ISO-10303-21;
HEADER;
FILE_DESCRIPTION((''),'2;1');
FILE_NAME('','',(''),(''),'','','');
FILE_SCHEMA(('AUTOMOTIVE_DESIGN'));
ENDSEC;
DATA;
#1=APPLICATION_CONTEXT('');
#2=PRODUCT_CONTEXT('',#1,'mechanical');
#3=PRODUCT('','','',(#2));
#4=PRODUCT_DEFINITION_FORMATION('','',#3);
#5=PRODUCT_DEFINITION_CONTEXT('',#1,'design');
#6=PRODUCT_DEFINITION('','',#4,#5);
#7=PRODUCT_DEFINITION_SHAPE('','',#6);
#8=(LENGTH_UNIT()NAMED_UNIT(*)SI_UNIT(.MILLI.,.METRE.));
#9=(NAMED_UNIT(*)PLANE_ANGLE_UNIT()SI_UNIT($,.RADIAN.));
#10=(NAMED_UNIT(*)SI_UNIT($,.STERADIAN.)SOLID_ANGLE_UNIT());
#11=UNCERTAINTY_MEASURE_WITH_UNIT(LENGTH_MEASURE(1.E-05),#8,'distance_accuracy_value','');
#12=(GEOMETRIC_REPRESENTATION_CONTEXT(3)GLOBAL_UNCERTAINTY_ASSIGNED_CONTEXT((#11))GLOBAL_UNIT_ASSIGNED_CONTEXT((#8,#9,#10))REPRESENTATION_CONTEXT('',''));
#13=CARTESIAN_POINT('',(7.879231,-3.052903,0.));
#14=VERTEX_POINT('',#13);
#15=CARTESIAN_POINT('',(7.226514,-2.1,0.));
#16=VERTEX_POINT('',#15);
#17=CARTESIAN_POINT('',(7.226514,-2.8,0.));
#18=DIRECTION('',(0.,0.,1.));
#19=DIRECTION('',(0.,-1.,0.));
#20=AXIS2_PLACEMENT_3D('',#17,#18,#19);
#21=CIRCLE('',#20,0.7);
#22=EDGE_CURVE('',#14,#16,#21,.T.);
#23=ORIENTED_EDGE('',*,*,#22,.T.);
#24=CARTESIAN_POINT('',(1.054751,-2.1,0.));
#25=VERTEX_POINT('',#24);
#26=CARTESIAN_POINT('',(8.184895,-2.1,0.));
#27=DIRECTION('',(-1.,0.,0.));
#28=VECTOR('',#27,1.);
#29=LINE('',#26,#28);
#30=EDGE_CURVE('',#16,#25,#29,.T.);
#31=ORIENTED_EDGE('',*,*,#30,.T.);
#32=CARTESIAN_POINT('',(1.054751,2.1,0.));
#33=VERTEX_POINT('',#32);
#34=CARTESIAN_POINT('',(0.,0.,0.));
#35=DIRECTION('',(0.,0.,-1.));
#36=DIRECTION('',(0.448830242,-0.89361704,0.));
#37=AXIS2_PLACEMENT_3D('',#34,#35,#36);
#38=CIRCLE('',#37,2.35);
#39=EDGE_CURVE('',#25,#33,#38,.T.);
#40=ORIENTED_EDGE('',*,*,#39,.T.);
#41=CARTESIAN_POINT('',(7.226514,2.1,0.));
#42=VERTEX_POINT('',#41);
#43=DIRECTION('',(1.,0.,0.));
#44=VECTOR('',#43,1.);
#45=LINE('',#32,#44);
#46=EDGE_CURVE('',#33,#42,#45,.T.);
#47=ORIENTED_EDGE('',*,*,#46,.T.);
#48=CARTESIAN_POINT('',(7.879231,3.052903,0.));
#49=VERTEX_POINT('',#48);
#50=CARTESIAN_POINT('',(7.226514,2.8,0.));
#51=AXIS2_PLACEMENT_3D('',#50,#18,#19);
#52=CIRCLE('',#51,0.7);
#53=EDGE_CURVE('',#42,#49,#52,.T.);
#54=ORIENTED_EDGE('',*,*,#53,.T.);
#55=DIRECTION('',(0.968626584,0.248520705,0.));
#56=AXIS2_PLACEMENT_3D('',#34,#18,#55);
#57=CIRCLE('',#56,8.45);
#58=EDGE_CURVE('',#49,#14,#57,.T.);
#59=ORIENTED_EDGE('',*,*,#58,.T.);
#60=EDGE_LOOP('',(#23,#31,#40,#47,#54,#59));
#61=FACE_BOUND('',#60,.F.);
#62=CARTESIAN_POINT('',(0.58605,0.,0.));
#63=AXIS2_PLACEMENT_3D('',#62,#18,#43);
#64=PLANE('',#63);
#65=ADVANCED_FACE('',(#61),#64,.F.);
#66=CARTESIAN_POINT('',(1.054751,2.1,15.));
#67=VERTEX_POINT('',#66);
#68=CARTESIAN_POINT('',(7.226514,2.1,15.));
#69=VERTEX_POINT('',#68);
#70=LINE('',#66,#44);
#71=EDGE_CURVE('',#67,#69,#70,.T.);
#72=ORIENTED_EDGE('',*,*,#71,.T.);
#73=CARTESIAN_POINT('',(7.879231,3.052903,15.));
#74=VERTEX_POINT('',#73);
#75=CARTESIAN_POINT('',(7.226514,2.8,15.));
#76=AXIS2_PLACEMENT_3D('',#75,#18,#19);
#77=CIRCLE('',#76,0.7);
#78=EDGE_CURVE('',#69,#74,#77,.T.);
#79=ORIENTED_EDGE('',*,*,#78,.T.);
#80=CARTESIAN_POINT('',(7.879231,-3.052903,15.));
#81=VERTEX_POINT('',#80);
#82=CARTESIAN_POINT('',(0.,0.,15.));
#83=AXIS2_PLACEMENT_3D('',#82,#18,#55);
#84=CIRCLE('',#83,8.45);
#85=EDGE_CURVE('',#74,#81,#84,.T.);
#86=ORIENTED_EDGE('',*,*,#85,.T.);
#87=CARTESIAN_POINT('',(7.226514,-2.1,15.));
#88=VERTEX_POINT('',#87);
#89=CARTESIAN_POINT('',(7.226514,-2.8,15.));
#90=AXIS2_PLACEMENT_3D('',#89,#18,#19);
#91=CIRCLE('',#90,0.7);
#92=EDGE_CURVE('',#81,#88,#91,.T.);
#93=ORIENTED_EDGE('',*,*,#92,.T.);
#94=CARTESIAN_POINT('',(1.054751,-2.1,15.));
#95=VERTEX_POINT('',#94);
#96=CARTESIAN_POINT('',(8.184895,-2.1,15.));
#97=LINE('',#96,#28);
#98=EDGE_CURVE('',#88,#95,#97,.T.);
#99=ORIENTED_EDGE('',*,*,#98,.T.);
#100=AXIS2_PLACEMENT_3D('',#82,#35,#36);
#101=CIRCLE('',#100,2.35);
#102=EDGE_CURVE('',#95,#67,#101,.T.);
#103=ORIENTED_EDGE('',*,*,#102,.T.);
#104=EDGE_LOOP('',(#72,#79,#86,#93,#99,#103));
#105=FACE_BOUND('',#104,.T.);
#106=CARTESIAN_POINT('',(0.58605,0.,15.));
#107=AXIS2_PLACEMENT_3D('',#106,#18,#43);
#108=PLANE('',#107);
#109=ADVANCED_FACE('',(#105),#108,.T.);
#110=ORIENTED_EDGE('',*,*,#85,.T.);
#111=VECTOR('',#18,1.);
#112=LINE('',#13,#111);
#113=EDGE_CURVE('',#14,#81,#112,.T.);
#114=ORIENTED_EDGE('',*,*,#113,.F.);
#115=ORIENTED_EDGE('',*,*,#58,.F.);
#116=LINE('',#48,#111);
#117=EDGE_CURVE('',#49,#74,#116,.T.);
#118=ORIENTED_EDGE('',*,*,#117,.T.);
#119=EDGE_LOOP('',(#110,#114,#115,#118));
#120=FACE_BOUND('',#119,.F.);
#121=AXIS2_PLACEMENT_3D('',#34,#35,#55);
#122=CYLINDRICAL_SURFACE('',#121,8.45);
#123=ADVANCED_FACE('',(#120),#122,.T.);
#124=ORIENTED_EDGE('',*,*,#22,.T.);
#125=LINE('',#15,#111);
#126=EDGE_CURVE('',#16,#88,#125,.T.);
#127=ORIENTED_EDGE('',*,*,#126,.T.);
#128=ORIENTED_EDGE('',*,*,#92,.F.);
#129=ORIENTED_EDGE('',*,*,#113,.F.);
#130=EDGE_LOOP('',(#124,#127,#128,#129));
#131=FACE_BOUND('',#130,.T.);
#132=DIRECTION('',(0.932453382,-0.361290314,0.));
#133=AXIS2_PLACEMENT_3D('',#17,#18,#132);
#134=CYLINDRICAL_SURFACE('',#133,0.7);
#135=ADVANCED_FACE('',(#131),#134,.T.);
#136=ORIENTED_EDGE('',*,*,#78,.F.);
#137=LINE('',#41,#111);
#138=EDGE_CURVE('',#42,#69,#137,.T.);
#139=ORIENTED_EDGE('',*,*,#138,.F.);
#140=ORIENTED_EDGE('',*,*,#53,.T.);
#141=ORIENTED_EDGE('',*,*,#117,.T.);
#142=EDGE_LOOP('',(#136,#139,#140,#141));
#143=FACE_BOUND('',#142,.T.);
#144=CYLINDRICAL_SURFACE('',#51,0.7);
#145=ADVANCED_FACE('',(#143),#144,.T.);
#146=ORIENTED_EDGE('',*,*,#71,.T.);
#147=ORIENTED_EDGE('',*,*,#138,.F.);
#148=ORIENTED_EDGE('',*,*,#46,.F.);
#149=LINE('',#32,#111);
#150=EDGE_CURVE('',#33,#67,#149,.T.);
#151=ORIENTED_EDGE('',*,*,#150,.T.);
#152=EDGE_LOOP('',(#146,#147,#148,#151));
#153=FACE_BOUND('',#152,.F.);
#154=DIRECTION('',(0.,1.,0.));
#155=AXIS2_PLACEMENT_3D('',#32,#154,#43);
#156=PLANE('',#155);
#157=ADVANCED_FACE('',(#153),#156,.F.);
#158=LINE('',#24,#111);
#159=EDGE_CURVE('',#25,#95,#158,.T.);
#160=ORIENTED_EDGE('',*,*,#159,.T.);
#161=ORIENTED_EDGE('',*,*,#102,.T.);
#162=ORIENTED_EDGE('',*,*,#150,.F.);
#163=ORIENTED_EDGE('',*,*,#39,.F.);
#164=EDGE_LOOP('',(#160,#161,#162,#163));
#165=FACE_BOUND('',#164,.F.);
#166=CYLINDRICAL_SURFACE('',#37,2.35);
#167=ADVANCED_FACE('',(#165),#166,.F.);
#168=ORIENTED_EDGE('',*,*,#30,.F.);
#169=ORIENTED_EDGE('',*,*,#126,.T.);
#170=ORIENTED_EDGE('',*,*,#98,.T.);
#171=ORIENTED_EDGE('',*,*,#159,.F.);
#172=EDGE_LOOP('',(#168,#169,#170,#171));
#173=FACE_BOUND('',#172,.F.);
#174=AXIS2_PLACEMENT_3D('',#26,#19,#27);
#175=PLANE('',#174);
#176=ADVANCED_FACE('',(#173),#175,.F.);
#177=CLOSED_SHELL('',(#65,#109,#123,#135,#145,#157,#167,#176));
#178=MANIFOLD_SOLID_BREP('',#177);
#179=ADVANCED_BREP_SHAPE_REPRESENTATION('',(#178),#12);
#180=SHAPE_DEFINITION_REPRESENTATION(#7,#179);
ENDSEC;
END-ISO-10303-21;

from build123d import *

# Parameters (mm, degrees)
F1_DEPTH = 15
F2_R     = 0.7


with BuildPart() as f1:
    # F0 (on Top) → F1 (new body)
    with BuildSketch(Plane.XY):
        with BuildLine():
            Line((1.054751, 2.1), (8.184895, 2.1))
            ThreePointArc((8.184895, 2.1), (-8.45, 0), (8.184895, -2.1))
            Line((8.184895, -2.1), (1.054751, -2.1))
            ThreePointArc((1.054751, -2.1), (-2.35, 0), (1.054751, 2.1))
        make_face()
    extrude(amount=F1_DEPTH)

    # F2
    f2_edges = [f1.edges().sort_by_distance(p)[0] for p in [
        (8.184895, 2.1, 7.5),
        (8.184895, -2.1, 7.5),
    ]]
    fillet(f2_edges, radius=F2_R)


solid = f1.part
